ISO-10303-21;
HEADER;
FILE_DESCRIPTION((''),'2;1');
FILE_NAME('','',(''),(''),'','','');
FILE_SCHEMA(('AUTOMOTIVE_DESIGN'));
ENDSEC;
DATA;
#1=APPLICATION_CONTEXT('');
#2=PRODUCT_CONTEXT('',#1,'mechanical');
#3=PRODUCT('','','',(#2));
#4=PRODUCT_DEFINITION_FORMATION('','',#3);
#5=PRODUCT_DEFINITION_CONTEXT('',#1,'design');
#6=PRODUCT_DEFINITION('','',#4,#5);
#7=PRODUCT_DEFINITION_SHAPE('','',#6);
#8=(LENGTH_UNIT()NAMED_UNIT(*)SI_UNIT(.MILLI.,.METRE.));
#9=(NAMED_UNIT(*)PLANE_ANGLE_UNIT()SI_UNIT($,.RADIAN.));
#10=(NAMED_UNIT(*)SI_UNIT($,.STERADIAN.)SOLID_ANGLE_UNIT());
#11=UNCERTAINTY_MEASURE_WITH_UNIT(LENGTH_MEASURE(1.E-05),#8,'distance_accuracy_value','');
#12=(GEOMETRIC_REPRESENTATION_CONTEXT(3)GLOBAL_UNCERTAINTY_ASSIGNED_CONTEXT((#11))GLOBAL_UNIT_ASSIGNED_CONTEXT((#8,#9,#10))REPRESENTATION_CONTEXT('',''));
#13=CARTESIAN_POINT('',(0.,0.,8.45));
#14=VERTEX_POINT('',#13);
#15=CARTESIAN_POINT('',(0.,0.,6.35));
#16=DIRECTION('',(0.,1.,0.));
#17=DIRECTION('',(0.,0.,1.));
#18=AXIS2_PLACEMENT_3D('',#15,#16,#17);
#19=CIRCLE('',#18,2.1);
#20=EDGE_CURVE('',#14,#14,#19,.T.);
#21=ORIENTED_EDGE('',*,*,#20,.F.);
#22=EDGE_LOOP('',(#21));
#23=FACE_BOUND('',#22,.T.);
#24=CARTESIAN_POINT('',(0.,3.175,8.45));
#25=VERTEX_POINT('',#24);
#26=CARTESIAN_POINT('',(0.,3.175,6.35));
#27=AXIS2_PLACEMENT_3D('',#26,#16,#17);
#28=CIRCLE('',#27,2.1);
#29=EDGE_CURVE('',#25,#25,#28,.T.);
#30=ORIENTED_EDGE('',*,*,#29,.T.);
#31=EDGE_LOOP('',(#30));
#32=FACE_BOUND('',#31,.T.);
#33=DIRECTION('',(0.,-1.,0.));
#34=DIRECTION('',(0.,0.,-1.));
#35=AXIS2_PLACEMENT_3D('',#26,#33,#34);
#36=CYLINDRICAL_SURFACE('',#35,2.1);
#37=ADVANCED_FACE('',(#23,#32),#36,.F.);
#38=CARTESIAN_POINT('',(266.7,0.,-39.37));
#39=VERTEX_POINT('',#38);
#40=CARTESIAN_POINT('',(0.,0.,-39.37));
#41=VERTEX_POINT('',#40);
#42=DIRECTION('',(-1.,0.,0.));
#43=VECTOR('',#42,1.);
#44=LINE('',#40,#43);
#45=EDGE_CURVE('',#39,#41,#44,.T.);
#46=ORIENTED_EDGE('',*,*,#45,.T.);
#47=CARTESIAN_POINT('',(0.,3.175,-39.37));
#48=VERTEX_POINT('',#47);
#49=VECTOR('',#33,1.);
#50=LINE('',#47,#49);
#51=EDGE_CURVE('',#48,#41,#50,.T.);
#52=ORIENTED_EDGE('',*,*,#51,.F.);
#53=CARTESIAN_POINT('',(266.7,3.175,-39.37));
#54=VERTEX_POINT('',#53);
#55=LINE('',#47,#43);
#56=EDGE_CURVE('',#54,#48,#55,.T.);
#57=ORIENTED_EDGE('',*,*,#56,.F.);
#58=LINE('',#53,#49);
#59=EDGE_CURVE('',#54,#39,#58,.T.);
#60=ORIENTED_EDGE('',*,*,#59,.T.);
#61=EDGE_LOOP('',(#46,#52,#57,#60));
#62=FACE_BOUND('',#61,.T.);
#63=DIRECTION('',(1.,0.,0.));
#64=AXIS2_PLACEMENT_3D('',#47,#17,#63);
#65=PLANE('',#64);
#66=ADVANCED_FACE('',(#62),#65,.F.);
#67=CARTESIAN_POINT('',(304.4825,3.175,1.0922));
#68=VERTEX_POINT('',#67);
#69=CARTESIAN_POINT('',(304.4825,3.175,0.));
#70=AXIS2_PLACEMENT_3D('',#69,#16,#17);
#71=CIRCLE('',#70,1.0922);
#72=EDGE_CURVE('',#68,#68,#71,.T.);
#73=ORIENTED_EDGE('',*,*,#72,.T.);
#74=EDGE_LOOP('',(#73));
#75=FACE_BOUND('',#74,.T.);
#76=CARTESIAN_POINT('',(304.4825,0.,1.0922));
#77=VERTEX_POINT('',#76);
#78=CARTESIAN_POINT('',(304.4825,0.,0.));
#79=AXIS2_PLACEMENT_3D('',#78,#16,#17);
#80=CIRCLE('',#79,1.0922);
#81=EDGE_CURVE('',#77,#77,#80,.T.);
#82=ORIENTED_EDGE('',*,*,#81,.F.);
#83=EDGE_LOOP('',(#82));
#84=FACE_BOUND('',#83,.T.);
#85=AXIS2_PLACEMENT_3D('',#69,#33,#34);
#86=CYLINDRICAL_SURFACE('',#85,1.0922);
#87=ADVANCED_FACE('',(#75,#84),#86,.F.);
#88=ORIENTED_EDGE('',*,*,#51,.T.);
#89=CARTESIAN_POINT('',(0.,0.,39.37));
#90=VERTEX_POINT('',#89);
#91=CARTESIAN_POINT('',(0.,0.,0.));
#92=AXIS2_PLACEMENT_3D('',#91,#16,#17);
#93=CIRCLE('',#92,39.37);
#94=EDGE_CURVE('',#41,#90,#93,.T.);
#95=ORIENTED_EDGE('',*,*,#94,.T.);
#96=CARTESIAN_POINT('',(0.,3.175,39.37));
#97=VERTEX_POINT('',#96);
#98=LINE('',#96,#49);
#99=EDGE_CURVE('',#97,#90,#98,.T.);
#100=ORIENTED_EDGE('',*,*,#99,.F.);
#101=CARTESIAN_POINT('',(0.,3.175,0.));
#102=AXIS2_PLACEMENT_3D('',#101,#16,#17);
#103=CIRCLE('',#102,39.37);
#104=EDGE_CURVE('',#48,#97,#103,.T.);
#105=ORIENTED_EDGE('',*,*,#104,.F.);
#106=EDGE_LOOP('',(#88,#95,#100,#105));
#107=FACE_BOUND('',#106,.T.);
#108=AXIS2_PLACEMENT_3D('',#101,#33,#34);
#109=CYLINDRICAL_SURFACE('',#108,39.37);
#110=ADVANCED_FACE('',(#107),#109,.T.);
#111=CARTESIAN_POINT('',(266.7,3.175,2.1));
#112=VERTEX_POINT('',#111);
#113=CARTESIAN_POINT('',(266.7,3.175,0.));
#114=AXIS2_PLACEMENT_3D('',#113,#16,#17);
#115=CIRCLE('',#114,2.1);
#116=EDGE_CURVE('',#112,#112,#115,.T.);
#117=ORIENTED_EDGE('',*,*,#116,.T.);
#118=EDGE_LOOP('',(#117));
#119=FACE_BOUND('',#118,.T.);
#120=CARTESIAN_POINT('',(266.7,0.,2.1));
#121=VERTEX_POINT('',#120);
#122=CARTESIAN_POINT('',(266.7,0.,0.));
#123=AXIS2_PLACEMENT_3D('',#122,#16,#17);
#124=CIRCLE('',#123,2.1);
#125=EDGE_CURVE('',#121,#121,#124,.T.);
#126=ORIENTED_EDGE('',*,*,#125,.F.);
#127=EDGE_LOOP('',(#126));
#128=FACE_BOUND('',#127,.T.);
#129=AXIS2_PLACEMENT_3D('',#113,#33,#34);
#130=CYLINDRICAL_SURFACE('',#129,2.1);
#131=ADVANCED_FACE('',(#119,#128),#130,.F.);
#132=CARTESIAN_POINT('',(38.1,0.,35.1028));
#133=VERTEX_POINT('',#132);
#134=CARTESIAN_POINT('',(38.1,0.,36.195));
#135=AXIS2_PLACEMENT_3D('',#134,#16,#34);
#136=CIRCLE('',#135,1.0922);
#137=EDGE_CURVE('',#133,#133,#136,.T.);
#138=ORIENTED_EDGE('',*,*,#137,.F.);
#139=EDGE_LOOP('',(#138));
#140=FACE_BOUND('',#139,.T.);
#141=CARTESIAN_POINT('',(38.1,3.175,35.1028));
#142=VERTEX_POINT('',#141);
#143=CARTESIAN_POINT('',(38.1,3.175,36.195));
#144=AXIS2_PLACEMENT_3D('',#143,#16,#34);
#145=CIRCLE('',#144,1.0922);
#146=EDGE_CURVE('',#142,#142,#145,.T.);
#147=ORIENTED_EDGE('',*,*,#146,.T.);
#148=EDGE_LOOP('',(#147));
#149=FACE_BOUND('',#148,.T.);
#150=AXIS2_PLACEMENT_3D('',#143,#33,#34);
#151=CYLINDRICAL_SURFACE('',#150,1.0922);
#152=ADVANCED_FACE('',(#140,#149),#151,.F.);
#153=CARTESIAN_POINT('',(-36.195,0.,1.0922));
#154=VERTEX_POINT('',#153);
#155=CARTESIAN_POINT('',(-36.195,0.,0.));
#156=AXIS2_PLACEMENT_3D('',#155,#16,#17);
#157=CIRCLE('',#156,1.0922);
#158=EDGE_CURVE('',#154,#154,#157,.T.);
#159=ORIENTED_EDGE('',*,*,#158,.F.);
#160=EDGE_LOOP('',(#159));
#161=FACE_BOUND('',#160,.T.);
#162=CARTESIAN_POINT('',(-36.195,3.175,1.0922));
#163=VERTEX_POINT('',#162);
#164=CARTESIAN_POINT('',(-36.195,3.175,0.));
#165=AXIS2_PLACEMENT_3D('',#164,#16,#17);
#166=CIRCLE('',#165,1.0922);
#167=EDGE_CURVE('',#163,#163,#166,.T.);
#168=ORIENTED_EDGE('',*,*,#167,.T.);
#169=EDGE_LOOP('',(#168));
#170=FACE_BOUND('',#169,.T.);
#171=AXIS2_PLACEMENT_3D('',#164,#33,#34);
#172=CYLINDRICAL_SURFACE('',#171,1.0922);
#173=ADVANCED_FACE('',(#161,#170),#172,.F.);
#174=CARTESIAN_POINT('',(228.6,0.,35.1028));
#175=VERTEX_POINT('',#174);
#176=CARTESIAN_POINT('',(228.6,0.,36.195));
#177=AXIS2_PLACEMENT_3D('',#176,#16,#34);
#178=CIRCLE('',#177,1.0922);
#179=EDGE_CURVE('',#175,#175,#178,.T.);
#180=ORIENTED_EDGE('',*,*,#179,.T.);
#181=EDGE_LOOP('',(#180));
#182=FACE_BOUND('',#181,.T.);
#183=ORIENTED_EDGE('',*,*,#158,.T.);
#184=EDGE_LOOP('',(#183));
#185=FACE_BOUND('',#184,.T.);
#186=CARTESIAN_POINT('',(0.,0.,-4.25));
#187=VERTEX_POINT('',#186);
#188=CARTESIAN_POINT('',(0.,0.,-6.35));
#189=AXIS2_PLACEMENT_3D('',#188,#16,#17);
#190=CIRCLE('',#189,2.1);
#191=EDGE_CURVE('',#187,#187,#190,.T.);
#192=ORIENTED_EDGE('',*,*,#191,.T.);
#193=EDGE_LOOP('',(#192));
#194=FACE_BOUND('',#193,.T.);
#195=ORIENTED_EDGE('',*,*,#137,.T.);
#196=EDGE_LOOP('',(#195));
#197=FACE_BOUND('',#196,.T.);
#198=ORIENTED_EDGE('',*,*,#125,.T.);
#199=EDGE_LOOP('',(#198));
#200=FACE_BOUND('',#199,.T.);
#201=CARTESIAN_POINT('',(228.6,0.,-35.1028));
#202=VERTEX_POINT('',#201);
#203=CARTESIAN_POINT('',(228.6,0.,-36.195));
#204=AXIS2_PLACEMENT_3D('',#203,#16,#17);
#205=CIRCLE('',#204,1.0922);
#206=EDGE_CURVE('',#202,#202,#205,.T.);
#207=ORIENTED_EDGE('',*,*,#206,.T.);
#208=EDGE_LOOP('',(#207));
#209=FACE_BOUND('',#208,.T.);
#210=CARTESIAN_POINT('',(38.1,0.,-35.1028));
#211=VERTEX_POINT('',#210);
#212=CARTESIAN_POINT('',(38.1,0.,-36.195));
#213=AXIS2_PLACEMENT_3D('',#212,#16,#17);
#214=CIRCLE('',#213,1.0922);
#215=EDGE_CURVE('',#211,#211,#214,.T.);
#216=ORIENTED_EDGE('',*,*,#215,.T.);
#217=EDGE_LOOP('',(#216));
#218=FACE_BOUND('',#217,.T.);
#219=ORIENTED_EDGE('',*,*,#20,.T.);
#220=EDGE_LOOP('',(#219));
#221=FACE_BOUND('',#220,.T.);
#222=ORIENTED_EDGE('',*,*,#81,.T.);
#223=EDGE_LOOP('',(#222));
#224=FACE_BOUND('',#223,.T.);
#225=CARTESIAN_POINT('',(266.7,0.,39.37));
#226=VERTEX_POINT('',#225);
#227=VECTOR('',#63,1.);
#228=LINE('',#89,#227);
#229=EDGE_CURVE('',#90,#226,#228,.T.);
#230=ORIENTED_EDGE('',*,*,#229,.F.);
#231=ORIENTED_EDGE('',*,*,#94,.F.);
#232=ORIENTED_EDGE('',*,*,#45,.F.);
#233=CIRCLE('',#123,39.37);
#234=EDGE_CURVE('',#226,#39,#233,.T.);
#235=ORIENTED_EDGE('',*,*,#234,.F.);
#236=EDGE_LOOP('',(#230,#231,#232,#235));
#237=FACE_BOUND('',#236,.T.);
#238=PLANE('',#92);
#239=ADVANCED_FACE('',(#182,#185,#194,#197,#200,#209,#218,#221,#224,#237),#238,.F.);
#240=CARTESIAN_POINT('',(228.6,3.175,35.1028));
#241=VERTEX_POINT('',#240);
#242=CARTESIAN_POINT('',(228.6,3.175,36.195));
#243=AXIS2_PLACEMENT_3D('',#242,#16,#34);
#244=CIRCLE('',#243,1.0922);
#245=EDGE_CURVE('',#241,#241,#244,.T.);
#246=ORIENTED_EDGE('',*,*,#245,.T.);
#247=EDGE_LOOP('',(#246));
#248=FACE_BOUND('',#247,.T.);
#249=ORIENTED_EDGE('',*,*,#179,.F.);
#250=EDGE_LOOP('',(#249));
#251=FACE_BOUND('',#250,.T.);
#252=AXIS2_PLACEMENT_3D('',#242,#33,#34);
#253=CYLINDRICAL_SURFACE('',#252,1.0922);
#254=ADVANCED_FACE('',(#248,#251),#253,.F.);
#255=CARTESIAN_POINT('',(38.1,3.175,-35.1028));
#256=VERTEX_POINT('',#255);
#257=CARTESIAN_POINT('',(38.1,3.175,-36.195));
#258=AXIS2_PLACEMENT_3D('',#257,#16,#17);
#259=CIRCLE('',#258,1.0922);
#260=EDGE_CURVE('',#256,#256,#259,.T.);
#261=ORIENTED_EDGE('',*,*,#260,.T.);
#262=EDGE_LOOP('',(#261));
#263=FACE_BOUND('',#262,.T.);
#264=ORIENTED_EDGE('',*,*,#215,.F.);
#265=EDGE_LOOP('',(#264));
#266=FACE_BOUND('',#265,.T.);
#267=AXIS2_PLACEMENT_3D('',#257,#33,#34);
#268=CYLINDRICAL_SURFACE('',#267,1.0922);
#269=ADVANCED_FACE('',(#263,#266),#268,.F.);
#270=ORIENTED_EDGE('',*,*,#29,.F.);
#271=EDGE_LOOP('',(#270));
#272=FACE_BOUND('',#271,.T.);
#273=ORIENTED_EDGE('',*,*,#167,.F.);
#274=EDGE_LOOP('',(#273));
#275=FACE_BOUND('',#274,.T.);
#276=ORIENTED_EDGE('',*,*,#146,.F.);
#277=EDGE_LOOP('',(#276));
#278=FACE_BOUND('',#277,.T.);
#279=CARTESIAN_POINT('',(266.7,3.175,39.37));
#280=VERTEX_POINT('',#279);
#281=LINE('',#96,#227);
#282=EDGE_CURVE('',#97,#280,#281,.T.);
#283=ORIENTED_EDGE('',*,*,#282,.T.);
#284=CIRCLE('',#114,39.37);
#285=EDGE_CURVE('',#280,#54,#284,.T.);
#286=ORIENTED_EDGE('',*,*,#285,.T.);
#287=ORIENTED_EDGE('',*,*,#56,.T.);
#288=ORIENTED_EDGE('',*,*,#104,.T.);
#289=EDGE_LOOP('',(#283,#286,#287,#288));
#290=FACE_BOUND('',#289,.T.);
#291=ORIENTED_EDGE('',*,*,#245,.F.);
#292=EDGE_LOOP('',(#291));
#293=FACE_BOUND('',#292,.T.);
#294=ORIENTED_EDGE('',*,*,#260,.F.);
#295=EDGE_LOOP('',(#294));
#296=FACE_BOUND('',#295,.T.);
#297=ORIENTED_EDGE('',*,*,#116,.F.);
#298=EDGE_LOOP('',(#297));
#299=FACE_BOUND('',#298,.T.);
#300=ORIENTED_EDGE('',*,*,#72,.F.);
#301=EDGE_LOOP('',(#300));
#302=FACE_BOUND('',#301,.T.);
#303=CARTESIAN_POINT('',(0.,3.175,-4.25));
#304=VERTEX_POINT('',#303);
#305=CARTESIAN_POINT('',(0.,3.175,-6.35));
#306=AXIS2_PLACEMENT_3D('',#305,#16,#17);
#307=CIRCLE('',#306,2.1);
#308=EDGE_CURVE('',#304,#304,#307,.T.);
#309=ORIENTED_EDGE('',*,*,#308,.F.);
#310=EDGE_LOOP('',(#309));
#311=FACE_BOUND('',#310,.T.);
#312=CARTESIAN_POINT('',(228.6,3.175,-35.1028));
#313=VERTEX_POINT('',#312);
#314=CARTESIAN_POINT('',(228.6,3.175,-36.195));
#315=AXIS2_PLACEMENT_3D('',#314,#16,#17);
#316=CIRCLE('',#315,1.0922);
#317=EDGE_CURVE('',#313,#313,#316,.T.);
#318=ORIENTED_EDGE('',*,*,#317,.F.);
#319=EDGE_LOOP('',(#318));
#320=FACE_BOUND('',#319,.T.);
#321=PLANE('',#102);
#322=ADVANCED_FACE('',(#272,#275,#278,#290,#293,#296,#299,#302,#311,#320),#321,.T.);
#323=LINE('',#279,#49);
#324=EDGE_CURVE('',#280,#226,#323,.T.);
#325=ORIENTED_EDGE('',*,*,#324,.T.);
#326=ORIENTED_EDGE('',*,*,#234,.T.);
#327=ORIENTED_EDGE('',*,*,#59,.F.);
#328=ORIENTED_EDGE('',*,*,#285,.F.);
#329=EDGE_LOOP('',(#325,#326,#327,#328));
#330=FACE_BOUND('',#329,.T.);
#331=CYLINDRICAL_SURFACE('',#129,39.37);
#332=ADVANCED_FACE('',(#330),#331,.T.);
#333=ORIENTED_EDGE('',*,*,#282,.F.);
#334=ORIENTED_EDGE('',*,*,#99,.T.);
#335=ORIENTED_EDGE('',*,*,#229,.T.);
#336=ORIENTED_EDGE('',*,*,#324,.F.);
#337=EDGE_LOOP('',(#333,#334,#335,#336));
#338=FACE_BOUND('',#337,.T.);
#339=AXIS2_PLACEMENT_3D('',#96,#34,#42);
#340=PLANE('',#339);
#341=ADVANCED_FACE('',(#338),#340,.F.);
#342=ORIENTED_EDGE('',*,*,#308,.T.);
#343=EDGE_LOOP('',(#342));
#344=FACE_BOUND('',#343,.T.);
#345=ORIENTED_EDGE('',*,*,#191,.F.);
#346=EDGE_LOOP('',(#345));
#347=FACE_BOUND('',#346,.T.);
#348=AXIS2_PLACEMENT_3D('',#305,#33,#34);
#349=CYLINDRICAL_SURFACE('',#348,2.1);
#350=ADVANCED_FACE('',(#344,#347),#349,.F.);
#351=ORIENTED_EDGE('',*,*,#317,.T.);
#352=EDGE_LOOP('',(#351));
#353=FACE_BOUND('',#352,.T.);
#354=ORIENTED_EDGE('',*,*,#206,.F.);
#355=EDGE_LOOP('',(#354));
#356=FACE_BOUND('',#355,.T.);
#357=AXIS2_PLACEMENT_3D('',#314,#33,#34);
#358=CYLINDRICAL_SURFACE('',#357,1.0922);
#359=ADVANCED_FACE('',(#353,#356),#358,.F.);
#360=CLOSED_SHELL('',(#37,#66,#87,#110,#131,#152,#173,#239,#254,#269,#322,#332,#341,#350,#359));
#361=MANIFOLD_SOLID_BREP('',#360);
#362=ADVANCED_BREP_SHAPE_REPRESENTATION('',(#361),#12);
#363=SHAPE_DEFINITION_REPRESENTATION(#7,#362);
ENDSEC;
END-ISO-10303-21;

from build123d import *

# Parameters (mm, degrees)
SKETCH1_R           = 1.0922
SKETCH1_R_2         = 2.1
BOSS_EXTRUDE1_DEPTH = 3.175


with BuildPart() as part:
    # Sketch1 → Boss-Extrude1 (new body)
    with BuildSketch(Plane(origin=(0, 0, 0), x_dir=(1, 0, 0), z_dir=(0, 1, 0))):
        with BuildLine():
            Line((0, 39.37), (266.7, 39.37))
            ThreePointArc((266.7, 39.37), (306.07, 0), (266.7, -39.37))
            Line((266.7, -39.37), (0, -39.37))
            ThreePointArc((0, -39.37), (-39.37, 0), (0, 39.37))
        make_face()
        with Locations((38.1, 36.195)):
            Circle(SKETCH1_R, mode=Mode.SUBTRACT)
        with Locations((228.6, 36.195)):
            Circle(SKETCH1_R, mode=Mode.SUBTRACT)
        with Locations((38.1, -36.195)):
            Circle(SKETCH1_R, mode=Mode.SUBTRACT)
        with Locations((228.6, -36.195)):
            Circle(SKETCH1_R, mode=Mode.SUBTRACT)
        with Locations((-36.195, 0)):
            Circle(SKETCH1_R, mode=Mode.SUBTRACT)
        with Locations((304.4825, 0)):
            Circle(SKETCH1_R, mode=Mode.SUBTRACT)
        with Locations((266.7, 0)):
            Circle(SKETCH1_R_2, mode=Mode.SUBTRACT)
        with Locations((0, -6.35)):
            Circle(SKETCH1_R_2, mode=Mode.SUBTRACT)
        with Locations((0, 6.35)):
            Circle(SKETCH1_R_2, mode=Mode.SUBTRACT)
    extrude(amount=BOSS_EXTRUDE1_DEPTH)


solid = part.part
